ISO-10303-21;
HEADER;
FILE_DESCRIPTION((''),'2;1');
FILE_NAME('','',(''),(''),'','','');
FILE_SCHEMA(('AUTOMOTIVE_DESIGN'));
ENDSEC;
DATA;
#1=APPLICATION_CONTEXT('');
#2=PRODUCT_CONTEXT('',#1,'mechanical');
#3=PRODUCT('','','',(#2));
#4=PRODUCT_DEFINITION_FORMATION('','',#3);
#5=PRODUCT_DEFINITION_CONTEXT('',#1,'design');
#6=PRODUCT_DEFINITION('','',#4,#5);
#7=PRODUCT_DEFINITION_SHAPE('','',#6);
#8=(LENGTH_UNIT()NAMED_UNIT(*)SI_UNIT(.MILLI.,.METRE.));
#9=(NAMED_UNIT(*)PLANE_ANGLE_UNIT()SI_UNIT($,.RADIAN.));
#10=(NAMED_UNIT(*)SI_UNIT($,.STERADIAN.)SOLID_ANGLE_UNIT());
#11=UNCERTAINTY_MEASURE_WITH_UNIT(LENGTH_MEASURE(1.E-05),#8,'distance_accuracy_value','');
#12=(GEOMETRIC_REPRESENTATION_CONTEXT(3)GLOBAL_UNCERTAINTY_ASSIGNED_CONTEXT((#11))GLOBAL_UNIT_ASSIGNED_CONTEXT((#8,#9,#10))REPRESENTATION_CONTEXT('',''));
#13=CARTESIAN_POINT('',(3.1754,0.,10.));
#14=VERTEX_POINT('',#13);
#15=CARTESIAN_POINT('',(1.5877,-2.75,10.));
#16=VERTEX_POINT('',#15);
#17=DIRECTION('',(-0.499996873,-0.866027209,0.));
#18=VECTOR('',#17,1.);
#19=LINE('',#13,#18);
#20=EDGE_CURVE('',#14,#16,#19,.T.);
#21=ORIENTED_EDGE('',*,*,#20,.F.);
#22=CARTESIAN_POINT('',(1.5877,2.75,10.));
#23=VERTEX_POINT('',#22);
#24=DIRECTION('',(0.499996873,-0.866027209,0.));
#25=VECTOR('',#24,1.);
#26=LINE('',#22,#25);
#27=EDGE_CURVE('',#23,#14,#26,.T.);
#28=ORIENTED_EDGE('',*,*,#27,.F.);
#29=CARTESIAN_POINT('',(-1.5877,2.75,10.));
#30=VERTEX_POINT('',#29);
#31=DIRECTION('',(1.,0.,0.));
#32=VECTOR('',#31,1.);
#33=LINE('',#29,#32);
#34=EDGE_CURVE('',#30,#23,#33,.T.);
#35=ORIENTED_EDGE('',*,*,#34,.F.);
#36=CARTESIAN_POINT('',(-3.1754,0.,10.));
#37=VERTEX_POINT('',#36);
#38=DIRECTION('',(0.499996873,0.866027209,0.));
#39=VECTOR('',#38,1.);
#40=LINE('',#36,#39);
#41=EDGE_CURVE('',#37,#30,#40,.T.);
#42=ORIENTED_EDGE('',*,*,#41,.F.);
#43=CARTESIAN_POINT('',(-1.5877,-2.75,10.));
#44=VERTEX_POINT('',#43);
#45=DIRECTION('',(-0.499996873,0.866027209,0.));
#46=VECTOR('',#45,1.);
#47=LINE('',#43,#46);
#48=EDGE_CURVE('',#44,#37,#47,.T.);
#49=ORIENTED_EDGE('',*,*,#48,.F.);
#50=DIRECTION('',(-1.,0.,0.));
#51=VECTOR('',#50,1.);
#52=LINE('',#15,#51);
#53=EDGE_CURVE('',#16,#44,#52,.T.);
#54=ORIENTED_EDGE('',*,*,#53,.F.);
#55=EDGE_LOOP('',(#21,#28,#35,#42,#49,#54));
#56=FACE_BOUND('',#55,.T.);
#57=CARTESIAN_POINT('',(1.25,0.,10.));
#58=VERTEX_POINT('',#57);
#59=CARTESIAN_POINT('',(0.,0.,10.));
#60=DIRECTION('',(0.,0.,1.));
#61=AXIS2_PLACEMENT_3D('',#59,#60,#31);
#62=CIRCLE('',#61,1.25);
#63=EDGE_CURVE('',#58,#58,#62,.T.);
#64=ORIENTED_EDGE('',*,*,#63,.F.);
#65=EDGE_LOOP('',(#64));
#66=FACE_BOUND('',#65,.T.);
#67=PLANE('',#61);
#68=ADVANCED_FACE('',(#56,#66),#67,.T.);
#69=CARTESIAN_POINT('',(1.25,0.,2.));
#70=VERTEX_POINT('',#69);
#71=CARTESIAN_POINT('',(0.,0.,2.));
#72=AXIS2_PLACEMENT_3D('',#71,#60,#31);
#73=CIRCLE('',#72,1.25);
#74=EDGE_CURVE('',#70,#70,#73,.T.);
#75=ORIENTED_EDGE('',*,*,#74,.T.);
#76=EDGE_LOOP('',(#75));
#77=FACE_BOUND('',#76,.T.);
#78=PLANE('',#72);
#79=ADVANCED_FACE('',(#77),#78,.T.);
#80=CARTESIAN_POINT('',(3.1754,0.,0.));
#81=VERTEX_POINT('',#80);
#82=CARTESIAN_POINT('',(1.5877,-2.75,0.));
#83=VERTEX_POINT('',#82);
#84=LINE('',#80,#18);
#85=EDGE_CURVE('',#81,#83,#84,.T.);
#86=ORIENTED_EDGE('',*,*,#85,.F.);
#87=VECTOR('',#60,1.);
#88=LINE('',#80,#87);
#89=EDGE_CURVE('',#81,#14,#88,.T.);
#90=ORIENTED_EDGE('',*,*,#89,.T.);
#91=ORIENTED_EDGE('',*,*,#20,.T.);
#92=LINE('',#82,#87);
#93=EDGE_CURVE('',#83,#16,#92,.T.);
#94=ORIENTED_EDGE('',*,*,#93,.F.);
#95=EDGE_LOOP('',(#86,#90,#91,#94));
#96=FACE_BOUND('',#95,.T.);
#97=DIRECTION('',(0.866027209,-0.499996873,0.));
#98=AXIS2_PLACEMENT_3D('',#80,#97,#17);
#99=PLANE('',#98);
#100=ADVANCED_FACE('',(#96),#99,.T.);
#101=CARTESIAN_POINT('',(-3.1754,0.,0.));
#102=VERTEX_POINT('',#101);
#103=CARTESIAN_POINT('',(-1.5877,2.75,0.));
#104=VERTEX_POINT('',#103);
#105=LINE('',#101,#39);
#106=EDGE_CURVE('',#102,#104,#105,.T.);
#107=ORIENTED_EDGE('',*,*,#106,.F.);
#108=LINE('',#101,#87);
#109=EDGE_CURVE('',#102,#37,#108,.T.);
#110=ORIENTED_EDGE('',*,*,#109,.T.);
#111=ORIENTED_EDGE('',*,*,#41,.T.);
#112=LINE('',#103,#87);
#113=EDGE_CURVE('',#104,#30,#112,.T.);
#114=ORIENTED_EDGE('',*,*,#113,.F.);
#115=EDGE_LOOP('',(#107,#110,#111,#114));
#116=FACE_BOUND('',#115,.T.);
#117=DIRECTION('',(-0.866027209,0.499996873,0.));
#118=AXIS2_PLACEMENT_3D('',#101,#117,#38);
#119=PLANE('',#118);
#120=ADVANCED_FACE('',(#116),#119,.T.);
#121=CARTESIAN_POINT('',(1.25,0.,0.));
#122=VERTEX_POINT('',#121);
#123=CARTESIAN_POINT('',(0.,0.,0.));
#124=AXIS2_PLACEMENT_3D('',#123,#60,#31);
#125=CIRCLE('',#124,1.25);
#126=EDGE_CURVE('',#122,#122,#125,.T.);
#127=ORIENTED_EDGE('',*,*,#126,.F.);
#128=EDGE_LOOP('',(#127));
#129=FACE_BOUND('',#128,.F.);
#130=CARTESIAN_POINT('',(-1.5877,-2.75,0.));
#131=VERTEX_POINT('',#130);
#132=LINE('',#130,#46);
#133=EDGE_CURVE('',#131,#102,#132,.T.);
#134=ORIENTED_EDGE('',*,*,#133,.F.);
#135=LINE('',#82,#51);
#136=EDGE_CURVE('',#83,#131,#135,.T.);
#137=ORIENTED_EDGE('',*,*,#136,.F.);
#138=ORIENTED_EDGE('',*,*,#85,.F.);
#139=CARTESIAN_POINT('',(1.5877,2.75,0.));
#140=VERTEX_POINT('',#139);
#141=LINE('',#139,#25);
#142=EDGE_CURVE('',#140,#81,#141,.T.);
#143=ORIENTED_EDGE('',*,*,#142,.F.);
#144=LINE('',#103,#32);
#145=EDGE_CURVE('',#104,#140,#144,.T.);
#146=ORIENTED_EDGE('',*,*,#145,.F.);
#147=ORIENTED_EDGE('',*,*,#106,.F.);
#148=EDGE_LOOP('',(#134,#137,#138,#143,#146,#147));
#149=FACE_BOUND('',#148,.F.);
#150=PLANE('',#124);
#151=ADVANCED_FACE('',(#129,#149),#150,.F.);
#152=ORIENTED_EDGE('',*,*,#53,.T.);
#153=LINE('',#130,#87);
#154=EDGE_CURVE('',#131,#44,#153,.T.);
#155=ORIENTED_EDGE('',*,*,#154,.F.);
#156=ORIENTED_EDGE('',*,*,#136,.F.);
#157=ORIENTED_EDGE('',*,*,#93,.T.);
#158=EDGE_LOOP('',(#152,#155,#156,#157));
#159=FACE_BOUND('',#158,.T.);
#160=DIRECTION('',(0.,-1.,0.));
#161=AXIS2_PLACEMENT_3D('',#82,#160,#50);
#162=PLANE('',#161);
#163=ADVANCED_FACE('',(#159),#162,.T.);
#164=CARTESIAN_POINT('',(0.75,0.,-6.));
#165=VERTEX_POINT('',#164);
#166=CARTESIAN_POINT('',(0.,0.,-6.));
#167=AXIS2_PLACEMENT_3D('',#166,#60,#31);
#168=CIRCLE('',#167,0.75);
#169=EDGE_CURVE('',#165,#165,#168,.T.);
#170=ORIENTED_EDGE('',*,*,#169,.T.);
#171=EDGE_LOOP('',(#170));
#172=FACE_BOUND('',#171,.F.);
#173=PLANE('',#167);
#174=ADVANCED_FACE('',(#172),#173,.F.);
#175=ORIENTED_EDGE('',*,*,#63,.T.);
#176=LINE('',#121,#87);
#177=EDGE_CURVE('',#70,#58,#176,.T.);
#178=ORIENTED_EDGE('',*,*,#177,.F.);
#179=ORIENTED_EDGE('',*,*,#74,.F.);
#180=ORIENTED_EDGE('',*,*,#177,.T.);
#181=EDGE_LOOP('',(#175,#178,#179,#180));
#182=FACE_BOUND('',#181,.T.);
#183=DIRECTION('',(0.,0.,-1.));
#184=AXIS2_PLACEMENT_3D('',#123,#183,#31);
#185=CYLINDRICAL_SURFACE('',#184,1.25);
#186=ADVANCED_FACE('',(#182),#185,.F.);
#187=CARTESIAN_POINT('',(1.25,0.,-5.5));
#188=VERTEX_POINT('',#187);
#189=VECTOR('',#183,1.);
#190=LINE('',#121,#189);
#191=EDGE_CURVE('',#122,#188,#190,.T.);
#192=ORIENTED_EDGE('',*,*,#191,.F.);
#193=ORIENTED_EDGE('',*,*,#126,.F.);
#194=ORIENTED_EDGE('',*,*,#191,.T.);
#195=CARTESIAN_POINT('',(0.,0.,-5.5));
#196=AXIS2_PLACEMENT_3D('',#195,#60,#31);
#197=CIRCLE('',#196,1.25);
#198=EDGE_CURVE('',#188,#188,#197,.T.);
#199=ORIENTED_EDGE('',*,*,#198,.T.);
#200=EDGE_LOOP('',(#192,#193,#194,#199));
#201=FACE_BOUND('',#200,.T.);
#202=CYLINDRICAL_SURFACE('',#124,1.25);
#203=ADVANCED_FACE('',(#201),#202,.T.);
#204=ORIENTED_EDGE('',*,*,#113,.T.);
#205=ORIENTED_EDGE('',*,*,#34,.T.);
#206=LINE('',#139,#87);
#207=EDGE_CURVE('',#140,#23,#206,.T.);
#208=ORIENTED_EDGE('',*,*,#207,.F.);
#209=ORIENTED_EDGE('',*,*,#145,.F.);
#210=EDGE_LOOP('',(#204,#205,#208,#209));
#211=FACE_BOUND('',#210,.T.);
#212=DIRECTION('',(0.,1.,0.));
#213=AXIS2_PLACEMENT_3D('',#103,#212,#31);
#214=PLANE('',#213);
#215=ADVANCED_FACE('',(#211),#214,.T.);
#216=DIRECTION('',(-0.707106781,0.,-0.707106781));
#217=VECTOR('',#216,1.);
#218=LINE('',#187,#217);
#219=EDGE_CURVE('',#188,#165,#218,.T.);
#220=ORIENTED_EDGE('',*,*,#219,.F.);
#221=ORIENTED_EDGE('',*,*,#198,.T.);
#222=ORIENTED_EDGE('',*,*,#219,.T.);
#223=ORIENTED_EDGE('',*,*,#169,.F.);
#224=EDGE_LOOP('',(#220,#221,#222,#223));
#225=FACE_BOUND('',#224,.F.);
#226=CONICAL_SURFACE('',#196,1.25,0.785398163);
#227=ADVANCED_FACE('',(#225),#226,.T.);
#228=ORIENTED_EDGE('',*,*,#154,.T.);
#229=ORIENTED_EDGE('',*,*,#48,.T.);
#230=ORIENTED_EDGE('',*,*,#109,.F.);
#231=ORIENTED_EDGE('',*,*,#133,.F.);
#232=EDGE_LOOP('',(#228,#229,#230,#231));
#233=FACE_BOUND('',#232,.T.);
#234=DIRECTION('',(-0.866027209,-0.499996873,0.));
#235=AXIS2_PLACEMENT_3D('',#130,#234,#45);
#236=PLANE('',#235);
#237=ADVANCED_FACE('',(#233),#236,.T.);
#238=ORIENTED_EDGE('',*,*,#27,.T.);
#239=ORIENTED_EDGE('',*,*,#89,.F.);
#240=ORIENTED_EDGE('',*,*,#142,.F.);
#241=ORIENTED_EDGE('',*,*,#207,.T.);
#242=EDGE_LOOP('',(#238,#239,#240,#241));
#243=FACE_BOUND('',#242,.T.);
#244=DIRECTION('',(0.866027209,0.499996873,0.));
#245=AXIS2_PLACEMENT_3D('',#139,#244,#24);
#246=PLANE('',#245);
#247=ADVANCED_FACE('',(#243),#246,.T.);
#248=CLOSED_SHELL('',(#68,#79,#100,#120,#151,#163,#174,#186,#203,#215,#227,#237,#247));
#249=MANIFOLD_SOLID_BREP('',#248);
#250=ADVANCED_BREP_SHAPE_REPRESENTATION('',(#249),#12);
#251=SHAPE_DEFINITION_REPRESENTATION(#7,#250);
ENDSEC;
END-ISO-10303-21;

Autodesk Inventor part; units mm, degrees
ref_plane "YZ Plane" through (0, 0, 0) normal (1, 0, 0) x (0, 1, 0)
ref_plane "XZ Plane" through (0, 0, 0) normal (0, 1, 0) x (-1, 0, 0)
ref_plane "XY Plane" through (0, 0, 0) normal (0, 0, 1) x (1, 0, 0)
sketch "Skizze1" plane through (0, 0, 0) normal (0, 0, 1) x (1, 0, 0)
  line L0 (1.5877, 2.75) -> (3.1754, 0)
  line L1 (3.1754, 0) -> (1.5877, -2.75)
  line L2 (1.5877, -2.75) -> (-1.5877, -2.75)
  line L3 (-1.5877, -2.75) -> (-3.1754, 0)
  line L4 (-3.1754, 0) -> (-1.5877, 2.75)
  line L5 (-1.5877, 2.75) -> (1.5877, 2.75)
  circle A0 centre (0, 0) radius 1.25
  circle A1 centre (0, 0) radius 1.5
  point P0 (0, -2.75)
  dimension "d0" = 5.5
  dimension "d1" = 2.5
  dimension "d2" = 3
extrude "Extrusion1" add sketch "Skizze1" along normal blind 10 contours L0 L1 L2 L3 L4 L5 | A1
extrude "Extrusion2" add sketch "Skizze1" along normal blind 2 contours A0
extrude "Extrusion3" add sketch "Skizze1" against normal blind 6 contours A0
chamfer "Fase1" distance 0.5 angle 45 1 edges at (-1.25, 0, -6)
properties part number "M3x10x6 Standoff" material "Edelstahl"
